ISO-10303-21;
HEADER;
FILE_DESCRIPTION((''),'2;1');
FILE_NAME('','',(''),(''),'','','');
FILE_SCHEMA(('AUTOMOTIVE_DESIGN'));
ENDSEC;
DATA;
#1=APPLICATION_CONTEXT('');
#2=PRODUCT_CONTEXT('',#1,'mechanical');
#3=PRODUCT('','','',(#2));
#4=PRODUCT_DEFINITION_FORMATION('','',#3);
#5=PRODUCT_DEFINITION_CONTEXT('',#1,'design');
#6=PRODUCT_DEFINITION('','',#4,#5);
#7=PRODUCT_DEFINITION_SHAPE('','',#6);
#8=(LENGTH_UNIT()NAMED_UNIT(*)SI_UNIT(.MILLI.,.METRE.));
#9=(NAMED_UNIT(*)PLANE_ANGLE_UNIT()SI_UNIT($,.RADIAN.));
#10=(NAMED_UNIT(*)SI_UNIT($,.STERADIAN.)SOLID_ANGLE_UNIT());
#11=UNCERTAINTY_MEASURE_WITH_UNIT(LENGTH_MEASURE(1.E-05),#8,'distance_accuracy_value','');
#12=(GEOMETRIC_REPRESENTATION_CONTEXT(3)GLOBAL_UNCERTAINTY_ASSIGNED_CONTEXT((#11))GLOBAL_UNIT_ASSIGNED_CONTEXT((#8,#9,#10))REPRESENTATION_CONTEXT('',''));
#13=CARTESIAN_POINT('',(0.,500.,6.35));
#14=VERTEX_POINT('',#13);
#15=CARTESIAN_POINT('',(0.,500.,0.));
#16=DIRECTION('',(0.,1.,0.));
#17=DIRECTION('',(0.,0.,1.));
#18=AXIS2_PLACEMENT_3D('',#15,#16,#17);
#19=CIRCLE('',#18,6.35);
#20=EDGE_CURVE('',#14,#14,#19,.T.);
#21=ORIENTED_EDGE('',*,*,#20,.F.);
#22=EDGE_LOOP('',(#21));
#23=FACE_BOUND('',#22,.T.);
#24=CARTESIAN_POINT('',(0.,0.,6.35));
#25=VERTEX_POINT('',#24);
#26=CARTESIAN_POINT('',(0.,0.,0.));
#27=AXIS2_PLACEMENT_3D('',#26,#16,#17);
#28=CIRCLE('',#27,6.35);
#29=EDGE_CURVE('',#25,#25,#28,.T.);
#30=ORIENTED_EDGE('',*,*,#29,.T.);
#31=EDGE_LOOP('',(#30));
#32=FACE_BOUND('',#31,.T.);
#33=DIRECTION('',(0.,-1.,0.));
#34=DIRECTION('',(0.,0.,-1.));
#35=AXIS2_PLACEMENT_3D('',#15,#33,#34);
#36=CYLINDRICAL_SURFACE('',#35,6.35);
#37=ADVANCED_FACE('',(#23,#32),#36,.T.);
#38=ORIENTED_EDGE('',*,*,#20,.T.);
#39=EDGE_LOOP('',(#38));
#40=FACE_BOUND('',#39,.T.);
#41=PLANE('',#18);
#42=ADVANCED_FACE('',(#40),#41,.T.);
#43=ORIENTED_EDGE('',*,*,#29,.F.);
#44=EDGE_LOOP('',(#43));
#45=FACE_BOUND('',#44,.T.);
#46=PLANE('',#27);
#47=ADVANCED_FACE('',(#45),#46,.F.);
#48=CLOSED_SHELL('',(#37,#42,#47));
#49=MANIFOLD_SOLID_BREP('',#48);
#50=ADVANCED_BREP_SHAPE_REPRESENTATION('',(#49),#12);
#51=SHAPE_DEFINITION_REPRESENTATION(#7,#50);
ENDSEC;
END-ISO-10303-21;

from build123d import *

# Parameters (mm, degrees)
CROQUIS1_R              = 6.35
SALIENTE_EXTRUIR2_DEPTH = 500


with BuildPart() as part:
    # Croquis1 → Saliente-Extruir2 (new body)
    with BuildSketch(Plane(origin=(0, 0, 0), x_dir=(1, 0, 0), z_dir=(0, 1, 0))):
        Circle(CROQUIS1_R)
    extrude(amount=SALIENTE_EXTRUIR2_DEPTH)


solid = part.part
